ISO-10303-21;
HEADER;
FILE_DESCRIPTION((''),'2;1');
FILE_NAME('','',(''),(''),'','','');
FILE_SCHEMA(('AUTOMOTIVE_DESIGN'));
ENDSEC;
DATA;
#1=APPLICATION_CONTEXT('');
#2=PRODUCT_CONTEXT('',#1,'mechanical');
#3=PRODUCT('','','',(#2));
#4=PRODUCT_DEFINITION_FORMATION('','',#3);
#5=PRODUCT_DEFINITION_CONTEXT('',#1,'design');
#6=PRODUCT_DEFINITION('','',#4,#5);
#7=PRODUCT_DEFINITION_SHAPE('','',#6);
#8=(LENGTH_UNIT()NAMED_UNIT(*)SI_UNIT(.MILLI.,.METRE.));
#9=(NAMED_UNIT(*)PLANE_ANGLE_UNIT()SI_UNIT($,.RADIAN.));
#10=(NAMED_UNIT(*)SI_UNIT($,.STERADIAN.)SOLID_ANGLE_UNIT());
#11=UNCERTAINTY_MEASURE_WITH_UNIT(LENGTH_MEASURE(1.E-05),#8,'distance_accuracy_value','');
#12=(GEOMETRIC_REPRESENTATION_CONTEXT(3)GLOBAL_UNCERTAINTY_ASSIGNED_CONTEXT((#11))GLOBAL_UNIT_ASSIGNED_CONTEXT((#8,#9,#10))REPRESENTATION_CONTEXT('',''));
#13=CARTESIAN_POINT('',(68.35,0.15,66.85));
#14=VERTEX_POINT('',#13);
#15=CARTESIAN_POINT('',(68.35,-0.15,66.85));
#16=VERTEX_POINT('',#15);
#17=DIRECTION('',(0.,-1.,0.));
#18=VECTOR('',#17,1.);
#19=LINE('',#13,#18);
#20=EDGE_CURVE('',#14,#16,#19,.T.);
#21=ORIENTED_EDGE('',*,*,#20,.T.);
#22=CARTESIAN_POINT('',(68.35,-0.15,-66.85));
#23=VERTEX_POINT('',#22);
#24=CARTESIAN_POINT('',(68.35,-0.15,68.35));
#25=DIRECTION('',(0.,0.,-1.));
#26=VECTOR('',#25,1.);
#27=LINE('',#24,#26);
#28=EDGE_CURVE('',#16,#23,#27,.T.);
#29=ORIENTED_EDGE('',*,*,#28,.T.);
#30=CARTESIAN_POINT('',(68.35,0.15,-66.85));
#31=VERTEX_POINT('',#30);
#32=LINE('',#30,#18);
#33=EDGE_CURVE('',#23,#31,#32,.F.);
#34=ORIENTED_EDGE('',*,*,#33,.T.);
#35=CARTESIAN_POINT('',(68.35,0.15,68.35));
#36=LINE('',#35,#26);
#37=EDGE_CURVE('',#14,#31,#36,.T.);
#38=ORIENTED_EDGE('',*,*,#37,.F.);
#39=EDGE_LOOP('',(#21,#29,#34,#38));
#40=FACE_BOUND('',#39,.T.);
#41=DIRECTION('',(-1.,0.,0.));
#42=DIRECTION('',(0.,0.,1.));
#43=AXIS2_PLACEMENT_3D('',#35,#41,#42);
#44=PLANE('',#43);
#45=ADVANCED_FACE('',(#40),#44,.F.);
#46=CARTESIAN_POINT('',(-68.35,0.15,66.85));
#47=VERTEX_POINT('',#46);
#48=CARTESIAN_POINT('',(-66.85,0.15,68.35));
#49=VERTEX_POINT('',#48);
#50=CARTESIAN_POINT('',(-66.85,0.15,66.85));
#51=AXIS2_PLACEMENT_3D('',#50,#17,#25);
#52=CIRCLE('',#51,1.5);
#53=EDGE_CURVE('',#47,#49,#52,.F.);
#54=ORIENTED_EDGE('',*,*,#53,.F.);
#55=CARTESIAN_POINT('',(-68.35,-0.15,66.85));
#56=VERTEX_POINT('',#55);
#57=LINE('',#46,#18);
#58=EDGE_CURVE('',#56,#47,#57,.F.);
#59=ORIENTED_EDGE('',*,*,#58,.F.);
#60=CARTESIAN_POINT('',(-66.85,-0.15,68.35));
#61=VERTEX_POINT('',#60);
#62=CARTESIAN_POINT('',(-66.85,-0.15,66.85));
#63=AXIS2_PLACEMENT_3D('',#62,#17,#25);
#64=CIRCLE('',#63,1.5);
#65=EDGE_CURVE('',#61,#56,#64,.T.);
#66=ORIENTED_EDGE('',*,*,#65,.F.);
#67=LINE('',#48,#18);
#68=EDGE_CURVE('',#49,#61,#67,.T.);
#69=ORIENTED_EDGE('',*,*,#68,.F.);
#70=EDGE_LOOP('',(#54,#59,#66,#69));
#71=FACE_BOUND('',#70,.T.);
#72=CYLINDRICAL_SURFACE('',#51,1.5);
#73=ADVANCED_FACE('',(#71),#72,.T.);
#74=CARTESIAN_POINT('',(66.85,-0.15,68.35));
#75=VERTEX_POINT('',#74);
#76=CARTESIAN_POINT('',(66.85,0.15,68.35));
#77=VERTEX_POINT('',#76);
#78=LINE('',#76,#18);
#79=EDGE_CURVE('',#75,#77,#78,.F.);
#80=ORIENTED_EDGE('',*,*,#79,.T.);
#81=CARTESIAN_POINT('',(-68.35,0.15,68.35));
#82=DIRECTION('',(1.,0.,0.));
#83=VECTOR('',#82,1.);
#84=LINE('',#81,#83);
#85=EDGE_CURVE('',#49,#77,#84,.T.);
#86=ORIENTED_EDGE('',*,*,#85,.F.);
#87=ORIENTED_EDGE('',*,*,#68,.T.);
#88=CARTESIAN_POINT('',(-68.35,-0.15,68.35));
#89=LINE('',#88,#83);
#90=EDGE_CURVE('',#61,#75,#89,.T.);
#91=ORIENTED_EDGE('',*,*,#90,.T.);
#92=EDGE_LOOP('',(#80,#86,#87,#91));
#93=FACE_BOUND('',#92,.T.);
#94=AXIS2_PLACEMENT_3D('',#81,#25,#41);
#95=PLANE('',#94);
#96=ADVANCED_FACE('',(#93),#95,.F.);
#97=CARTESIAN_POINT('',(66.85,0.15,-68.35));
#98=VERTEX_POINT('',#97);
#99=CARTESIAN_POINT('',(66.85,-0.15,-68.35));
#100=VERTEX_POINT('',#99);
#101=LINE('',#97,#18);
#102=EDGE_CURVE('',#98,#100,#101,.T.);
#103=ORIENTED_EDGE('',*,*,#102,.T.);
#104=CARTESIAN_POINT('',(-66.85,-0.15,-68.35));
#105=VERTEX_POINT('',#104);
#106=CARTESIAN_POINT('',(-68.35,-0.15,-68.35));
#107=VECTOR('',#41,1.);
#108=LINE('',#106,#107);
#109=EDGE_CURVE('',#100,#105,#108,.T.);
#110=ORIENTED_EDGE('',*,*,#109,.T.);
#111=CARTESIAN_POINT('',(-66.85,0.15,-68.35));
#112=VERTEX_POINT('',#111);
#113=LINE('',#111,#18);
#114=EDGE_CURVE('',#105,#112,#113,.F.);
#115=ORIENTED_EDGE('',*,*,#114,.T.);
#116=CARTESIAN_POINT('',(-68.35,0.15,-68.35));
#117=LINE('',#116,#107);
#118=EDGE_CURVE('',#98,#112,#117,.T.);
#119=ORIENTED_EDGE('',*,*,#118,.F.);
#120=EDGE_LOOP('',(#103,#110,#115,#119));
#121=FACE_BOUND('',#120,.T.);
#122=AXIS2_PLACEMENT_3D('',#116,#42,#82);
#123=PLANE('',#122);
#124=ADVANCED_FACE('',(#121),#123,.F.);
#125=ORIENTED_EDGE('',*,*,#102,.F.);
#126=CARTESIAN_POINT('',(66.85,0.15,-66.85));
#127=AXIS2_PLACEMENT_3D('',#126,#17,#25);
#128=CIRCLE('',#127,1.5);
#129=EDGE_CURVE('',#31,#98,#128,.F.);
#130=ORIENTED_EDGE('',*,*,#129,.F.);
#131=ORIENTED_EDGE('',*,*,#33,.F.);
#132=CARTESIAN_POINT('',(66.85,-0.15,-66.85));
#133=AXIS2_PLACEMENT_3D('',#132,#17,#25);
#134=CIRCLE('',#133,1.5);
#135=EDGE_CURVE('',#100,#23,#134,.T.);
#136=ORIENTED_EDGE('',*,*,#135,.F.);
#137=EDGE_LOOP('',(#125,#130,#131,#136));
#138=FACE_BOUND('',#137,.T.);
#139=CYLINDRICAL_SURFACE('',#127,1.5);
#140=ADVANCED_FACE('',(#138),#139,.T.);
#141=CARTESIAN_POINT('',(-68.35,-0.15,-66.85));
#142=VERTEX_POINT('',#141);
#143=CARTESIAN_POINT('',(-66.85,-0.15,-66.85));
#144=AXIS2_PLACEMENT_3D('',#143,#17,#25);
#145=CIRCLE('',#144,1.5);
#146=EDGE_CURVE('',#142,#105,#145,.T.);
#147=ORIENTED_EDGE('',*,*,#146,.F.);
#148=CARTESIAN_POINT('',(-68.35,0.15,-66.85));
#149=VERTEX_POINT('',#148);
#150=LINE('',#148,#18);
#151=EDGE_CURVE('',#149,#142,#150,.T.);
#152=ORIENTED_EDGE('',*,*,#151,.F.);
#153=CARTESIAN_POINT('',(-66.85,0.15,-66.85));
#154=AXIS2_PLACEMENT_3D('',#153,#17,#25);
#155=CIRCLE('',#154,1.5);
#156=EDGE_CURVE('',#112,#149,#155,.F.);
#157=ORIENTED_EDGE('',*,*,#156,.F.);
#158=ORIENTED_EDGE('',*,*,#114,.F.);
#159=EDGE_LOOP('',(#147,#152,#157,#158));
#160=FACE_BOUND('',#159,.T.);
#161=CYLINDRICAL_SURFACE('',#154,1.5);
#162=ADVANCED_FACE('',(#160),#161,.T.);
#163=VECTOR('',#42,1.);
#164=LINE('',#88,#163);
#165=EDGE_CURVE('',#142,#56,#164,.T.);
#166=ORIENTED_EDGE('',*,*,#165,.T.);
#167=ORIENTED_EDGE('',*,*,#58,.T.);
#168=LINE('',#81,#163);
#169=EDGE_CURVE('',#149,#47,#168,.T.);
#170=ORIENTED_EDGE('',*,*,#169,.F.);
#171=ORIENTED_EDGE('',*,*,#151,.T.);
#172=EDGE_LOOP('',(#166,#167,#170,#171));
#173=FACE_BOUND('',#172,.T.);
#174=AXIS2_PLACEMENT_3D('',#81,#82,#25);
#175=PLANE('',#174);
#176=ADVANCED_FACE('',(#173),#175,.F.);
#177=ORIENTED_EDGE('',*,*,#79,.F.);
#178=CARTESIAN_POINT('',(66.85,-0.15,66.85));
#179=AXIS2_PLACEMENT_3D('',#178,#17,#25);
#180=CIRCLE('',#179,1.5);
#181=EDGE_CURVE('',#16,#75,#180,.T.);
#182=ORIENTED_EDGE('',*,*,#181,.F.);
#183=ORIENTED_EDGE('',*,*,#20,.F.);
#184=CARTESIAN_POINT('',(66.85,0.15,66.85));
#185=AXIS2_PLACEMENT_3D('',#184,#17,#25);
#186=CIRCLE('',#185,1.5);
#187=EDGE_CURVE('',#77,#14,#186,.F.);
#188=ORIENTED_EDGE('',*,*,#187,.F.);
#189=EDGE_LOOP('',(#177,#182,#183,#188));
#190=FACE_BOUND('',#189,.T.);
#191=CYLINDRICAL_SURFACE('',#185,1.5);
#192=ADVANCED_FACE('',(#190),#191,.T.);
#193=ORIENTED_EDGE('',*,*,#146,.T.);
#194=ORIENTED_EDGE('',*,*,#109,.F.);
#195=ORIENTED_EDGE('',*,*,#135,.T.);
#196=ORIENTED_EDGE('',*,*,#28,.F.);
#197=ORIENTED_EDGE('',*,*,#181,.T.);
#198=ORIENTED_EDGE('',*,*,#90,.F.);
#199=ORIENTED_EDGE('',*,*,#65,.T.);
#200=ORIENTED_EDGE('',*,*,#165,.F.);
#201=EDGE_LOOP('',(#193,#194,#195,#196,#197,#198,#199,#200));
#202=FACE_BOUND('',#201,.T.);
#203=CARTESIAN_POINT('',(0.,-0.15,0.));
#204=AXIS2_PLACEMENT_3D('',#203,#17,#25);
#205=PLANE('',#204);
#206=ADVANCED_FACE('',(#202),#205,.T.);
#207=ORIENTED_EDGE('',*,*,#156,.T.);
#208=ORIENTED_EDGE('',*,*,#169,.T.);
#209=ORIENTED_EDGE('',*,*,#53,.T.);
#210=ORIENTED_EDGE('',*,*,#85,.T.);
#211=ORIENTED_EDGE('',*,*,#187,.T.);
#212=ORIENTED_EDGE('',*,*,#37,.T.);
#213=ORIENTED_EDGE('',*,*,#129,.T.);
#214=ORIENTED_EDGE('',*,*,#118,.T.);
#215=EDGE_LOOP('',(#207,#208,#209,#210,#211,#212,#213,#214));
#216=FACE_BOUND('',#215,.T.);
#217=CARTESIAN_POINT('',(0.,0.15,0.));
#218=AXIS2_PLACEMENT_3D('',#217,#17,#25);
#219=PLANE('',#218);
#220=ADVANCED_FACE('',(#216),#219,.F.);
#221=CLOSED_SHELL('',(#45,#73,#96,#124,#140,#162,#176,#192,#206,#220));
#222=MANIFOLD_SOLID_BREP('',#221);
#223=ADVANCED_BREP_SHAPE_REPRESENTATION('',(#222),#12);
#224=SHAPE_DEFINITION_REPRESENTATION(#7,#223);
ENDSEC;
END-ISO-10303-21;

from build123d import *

# Parameters (mm, degrees)
SKETCH1_W           = 136.699999904
SKETCH1_H           = 136.699999904
BOSS_EXTRUDE1_DEPTH = 0.15
FILLET1_R           = 1.5


with BuildPart() as part:
    # Sketch1 → Boss-Extrude1 (new, symmetric)
    with BuildSketch(Plane(origin=(0, 0, 0), x_dir=(1, 0, 0), z_dir=(0, 1, 0))):
        Rectangle(SKETCH1_W, SKETCH1_H)
    extrude(amount=BOSS_EXTRUDE1_DEPTH, both=True)

    # Fillet1
    fillet1_edges = [part.edges().sort_by_distance(p)[0] for p in [
        (68.349999952, 0, 68.349999952),
        (-68.349999952, 0, 68.349999952),
        (-68.349999952, 0, -68.349999952),
        (68.349999952, 0, -68.349999952),
    ]]
    fillet(fillet1_edges, radius=FILLET1_R)


solid = part.part
